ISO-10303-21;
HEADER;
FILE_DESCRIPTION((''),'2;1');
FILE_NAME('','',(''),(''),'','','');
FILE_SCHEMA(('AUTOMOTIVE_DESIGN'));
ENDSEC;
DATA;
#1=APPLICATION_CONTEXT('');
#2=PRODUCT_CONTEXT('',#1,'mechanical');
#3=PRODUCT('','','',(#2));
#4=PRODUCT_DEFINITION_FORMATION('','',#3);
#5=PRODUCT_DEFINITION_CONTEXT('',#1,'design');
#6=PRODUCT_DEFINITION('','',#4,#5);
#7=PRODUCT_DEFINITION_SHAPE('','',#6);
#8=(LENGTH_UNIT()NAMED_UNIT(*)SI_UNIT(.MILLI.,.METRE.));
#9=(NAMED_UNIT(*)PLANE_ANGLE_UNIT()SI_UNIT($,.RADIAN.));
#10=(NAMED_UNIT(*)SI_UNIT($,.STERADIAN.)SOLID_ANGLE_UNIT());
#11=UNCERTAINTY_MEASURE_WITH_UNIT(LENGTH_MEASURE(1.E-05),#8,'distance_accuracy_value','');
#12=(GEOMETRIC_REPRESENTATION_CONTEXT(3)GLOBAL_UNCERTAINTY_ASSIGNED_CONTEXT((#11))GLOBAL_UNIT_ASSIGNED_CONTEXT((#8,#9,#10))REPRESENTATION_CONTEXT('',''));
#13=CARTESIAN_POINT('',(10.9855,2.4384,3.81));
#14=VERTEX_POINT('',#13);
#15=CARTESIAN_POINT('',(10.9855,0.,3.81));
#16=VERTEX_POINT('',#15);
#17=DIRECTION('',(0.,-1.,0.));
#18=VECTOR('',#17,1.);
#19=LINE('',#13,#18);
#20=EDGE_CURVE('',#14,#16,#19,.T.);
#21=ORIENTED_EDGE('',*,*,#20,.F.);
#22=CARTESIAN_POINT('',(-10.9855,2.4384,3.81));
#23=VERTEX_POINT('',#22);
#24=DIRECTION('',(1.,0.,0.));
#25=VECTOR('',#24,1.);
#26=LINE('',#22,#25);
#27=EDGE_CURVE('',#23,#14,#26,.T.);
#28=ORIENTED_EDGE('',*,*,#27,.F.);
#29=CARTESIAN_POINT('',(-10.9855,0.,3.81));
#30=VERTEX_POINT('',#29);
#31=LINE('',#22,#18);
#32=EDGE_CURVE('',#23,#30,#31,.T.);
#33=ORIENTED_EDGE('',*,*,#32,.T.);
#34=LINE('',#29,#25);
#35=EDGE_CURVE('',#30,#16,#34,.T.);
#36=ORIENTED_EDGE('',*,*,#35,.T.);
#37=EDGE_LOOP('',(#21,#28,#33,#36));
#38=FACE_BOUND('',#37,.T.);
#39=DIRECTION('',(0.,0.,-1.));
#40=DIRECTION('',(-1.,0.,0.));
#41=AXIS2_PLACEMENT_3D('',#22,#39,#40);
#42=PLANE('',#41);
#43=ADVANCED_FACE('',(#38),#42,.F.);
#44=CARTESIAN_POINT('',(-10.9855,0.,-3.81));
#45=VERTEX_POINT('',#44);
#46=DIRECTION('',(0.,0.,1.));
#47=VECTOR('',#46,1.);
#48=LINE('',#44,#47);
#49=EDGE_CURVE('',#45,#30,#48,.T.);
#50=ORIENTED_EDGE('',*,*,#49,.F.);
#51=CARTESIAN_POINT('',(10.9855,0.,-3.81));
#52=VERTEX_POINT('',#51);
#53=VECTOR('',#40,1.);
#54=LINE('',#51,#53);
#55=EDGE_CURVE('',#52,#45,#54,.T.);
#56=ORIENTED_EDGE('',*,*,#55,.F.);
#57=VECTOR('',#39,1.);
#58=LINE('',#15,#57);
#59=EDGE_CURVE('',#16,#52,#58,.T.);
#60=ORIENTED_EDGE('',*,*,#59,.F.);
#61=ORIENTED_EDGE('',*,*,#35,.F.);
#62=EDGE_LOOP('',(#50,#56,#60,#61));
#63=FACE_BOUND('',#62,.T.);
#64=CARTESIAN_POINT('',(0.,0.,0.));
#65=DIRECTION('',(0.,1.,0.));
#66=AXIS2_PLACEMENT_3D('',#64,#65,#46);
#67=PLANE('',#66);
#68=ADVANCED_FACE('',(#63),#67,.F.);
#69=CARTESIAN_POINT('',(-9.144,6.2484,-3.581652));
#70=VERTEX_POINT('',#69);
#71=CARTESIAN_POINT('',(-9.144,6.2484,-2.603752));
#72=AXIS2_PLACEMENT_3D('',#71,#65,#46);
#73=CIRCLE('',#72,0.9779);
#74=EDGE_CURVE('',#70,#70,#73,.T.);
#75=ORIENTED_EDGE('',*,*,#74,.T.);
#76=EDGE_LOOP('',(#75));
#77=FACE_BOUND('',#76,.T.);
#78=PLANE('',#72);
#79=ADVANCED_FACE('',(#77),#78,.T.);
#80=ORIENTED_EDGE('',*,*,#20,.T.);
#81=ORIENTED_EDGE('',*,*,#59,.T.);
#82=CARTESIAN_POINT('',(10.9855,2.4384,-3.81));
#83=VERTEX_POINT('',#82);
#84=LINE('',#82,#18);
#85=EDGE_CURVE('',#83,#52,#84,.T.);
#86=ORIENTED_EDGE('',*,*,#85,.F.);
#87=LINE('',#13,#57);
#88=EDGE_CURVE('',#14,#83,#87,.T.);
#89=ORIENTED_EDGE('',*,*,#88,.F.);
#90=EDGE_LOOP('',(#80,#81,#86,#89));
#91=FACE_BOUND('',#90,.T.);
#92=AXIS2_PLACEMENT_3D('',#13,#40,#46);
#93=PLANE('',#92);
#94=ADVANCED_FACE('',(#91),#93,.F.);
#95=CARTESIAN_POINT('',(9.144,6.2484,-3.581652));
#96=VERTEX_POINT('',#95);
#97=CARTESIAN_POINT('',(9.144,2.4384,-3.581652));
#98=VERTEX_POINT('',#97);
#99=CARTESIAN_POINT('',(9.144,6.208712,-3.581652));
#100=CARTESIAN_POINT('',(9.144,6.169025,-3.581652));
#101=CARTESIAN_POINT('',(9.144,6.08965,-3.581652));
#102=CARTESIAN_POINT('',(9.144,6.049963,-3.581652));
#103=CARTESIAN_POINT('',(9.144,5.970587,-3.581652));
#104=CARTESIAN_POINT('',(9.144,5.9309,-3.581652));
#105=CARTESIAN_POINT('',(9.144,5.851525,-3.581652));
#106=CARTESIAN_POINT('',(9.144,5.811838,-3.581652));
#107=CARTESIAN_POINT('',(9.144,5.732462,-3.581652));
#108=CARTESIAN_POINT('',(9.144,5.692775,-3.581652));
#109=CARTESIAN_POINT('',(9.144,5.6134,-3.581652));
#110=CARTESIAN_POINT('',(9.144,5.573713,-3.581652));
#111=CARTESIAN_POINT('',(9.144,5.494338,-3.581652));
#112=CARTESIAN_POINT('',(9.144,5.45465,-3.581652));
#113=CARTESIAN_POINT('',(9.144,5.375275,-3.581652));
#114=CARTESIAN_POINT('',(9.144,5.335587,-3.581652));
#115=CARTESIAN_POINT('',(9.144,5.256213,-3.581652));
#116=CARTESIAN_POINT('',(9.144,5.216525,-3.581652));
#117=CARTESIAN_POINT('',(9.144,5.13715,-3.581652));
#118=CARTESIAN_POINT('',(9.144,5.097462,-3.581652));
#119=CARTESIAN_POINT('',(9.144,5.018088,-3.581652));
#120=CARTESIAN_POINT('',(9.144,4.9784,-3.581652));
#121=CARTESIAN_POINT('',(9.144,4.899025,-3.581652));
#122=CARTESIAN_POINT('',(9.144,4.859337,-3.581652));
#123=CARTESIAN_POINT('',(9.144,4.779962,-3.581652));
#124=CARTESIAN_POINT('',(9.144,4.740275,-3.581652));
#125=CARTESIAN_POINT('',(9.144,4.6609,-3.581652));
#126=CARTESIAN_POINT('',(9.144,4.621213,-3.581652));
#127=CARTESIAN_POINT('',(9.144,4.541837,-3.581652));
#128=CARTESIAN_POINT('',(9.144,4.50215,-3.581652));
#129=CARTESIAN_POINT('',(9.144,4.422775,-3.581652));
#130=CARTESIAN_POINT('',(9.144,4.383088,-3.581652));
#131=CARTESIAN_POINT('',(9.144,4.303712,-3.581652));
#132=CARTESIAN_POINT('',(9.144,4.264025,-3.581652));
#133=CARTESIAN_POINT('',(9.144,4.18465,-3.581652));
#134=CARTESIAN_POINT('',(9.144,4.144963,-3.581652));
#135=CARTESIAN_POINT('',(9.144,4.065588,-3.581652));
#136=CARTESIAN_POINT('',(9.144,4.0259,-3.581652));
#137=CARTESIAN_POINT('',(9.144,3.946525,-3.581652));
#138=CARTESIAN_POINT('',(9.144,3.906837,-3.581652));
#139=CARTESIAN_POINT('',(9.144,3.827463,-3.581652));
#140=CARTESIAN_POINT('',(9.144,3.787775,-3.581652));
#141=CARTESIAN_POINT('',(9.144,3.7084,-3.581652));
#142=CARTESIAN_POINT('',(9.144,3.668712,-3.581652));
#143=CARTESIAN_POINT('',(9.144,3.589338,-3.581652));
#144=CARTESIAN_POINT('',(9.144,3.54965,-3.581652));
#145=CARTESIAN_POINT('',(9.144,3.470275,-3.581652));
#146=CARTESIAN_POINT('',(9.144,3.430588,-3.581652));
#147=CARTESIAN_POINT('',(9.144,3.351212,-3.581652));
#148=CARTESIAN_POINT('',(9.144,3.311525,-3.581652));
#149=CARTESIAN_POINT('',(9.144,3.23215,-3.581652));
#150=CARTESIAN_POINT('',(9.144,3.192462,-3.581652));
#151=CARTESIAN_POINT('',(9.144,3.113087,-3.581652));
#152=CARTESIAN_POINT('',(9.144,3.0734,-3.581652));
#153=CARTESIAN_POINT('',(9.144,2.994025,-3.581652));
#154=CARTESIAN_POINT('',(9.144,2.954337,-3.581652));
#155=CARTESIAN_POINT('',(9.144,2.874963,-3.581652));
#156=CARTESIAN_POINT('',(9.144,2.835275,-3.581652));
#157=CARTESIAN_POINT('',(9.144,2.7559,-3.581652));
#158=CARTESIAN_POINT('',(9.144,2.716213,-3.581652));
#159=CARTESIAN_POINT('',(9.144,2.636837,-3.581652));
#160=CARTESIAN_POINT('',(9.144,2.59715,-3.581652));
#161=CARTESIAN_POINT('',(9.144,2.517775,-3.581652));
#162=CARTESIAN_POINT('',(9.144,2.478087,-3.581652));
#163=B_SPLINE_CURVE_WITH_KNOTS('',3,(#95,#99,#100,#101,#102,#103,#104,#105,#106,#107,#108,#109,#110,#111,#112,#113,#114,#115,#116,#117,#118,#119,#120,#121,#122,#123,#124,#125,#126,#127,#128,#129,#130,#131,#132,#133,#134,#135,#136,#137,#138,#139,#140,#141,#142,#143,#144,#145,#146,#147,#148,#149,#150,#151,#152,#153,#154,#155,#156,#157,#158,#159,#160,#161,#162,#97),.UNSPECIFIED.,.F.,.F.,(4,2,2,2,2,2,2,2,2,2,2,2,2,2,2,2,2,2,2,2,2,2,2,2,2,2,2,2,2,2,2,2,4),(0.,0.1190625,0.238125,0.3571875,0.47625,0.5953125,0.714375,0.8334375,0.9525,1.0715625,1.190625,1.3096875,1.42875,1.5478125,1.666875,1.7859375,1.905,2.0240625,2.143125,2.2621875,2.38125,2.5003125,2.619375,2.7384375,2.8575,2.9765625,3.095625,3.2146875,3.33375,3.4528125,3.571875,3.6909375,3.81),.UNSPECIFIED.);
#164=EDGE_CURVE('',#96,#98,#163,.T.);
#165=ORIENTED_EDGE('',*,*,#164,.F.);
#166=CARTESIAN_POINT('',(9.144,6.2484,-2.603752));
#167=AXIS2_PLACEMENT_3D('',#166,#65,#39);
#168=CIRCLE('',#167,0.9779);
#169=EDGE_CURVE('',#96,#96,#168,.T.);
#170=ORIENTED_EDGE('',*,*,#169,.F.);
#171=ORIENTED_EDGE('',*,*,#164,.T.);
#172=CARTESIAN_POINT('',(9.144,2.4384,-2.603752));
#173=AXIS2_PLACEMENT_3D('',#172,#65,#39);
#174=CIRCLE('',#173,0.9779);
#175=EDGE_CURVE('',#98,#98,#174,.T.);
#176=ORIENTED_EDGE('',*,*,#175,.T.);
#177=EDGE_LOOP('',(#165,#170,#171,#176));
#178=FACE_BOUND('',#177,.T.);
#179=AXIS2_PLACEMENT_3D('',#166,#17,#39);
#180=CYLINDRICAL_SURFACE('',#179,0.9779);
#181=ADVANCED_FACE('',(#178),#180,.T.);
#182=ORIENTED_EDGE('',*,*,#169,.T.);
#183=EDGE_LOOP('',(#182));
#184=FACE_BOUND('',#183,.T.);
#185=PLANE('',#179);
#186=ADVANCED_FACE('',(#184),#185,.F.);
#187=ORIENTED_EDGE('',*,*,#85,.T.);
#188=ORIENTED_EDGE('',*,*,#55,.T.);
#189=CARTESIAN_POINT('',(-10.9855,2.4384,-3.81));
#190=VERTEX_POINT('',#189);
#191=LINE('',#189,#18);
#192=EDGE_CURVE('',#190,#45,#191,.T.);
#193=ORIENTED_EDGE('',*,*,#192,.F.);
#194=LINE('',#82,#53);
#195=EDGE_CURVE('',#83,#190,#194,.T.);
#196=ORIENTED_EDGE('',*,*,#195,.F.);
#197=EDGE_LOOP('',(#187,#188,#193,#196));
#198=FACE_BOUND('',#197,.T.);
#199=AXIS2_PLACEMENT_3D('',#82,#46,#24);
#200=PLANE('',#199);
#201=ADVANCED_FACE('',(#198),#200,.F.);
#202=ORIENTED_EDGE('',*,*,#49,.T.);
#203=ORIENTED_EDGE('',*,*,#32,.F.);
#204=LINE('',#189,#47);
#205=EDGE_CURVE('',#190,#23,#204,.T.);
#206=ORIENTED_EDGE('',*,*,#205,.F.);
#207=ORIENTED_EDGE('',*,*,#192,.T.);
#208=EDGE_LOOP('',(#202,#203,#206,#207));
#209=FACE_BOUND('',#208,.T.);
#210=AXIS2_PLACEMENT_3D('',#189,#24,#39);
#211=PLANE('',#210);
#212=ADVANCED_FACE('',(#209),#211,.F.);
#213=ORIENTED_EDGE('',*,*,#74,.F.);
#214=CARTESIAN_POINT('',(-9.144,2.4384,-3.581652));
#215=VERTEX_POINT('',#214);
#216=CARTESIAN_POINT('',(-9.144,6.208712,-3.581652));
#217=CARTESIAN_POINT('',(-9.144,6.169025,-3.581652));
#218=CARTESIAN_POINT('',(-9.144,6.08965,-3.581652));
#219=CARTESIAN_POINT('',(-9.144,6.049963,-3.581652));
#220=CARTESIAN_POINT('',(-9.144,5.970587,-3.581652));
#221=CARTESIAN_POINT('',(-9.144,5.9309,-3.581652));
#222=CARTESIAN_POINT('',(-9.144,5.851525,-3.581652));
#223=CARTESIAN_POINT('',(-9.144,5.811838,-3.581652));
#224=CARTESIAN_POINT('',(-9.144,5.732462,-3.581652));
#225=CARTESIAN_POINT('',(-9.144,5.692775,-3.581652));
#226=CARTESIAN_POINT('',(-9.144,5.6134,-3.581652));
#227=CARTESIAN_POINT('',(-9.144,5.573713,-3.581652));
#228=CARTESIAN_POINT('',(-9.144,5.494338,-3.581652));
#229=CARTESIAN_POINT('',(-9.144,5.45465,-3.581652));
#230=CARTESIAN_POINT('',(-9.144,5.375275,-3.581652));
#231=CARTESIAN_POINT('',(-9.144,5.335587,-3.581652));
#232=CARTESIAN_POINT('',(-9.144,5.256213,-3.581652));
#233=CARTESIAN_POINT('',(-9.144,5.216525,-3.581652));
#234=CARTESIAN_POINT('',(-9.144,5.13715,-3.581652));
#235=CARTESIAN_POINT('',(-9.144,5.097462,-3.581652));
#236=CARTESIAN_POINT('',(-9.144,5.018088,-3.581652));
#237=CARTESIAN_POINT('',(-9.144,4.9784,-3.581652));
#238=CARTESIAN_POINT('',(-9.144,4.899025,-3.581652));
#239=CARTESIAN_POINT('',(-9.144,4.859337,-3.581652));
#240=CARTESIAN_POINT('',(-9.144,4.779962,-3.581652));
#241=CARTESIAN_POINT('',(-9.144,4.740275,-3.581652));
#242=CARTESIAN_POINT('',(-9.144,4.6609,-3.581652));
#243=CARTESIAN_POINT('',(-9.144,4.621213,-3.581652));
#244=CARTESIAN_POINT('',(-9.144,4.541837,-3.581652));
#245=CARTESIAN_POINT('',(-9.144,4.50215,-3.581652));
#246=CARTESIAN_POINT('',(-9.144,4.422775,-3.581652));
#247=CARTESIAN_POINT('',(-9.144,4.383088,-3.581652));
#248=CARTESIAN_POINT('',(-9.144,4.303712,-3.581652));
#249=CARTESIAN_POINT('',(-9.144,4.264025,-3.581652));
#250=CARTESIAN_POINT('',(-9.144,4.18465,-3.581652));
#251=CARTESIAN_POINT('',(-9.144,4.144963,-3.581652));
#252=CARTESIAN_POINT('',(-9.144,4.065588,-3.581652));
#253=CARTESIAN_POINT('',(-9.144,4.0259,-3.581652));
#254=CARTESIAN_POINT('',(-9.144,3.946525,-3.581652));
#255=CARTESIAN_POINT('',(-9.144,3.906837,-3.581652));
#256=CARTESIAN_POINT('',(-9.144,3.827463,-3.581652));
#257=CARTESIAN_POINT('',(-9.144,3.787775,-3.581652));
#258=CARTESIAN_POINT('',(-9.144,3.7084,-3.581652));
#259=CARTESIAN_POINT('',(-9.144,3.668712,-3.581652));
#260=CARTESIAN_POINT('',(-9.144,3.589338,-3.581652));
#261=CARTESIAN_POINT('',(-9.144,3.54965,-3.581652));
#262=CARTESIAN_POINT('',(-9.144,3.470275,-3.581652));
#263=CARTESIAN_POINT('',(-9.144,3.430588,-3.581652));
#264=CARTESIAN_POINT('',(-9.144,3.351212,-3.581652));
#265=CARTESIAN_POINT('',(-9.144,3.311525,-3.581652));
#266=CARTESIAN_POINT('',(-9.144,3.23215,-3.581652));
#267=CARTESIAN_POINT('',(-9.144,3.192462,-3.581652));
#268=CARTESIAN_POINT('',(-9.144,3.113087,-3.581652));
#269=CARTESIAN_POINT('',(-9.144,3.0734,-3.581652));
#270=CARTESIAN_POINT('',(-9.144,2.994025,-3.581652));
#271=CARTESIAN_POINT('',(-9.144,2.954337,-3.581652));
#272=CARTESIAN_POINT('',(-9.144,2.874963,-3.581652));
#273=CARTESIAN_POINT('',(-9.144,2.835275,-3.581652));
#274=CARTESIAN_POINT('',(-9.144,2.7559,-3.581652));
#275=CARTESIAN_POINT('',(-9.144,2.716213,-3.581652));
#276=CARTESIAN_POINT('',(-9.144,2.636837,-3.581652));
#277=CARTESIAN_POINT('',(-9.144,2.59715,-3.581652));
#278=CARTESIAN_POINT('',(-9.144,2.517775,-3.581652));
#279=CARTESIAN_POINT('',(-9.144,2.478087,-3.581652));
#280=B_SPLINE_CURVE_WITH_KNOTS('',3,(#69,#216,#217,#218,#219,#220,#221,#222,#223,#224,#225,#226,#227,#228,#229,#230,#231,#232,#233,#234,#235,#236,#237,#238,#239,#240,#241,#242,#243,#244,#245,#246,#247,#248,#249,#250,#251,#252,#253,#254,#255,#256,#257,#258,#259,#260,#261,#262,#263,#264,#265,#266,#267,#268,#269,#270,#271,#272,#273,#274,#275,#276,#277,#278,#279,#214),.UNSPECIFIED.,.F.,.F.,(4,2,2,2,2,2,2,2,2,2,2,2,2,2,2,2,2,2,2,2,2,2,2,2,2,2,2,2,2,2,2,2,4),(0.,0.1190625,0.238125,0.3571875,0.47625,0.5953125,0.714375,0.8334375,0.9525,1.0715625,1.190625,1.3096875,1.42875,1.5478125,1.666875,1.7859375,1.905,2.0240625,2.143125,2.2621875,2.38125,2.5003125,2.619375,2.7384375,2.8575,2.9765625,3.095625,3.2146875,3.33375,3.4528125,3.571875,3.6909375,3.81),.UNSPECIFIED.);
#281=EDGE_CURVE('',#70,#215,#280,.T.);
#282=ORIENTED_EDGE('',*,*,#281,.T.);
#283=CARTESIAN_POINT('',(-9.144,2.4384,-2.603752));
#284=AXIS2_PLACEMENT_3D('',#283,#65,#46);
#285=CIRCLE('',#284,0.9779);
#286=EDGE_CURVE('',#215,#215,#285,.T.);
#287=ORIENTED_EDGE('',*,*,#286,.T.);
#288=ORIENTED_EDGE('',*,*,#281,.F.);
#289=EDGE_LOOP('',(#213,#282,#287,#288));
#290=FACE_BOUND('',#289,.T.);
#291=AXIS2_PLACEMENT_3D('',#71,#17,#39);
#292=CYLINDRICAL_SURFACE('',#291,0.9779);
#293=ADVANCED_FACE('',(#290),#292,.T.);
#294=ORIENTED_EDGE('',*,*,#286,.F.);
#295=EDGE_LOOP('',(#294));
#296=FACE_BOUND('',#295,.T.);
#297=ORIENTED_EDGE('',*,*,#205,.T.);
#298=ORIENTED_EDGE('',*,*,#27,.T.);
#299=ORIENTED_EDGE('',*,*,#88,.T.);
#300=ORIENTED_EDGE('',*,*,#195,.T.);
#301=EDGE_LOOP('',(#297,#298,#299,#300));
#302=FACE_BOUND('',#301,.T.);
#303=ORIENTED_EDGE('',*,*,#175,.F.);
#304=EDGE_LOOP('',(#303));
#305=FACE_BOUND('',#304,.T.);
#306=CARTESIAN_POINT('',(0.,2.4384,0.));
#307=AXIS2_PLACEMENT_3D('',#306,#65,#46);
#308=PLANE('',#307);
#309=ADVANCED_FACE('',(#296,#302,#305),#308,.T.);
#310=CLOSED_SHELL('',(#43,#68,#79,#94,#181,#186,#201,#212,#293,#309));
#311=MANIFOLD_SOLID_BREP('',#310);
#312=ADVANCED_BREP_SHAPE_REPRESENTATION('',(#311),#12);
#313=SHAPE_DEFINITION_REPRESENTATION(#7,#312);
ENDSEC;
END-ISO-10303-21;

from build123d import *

# Parameters (mm, degrees)
SKETCH1_W           = 21.971
SKETCH1_H           = 7.62
BOSS_EXTRUDE1_DEPTH = 2.4384
SKETCH2_R           = 0.9779
BOSS_EXTRUDE2_DEPTH = 3.81


with BuildPart() as part:
    # Sketch1 → Boss-Extrude1 (new body)
    with BuildSketch(Plane(origin=(0, 0, 0), x_dir=(1, 0, 0), z_dir=(0, 1, 0))):
        Rectangle(SKETCH1_W, SKETCH1_H)
    extrude(amount=BOSS_EXTRUDE1_DEPTH)

    # Sketch2 → Boss-Extrude2 (add)
    with BuildSketch(Plane(origin=(0, 2.4384, 0), x_dir=(1, 0, 0), z_dir=(0, 1, 0))):
        with Locations(Location((-9.144, 2.603752038, 0), (0, 0, 90))):
            Circle(SKETCH2_R)
        with Locations(Location((9.144, 2.603752038, 0), (0, 0, 90))):
            Circle(SKETCH2_R)
    extrude(amount=BOSS_EXTRUDE2_DEPTH)


solid = part.part
